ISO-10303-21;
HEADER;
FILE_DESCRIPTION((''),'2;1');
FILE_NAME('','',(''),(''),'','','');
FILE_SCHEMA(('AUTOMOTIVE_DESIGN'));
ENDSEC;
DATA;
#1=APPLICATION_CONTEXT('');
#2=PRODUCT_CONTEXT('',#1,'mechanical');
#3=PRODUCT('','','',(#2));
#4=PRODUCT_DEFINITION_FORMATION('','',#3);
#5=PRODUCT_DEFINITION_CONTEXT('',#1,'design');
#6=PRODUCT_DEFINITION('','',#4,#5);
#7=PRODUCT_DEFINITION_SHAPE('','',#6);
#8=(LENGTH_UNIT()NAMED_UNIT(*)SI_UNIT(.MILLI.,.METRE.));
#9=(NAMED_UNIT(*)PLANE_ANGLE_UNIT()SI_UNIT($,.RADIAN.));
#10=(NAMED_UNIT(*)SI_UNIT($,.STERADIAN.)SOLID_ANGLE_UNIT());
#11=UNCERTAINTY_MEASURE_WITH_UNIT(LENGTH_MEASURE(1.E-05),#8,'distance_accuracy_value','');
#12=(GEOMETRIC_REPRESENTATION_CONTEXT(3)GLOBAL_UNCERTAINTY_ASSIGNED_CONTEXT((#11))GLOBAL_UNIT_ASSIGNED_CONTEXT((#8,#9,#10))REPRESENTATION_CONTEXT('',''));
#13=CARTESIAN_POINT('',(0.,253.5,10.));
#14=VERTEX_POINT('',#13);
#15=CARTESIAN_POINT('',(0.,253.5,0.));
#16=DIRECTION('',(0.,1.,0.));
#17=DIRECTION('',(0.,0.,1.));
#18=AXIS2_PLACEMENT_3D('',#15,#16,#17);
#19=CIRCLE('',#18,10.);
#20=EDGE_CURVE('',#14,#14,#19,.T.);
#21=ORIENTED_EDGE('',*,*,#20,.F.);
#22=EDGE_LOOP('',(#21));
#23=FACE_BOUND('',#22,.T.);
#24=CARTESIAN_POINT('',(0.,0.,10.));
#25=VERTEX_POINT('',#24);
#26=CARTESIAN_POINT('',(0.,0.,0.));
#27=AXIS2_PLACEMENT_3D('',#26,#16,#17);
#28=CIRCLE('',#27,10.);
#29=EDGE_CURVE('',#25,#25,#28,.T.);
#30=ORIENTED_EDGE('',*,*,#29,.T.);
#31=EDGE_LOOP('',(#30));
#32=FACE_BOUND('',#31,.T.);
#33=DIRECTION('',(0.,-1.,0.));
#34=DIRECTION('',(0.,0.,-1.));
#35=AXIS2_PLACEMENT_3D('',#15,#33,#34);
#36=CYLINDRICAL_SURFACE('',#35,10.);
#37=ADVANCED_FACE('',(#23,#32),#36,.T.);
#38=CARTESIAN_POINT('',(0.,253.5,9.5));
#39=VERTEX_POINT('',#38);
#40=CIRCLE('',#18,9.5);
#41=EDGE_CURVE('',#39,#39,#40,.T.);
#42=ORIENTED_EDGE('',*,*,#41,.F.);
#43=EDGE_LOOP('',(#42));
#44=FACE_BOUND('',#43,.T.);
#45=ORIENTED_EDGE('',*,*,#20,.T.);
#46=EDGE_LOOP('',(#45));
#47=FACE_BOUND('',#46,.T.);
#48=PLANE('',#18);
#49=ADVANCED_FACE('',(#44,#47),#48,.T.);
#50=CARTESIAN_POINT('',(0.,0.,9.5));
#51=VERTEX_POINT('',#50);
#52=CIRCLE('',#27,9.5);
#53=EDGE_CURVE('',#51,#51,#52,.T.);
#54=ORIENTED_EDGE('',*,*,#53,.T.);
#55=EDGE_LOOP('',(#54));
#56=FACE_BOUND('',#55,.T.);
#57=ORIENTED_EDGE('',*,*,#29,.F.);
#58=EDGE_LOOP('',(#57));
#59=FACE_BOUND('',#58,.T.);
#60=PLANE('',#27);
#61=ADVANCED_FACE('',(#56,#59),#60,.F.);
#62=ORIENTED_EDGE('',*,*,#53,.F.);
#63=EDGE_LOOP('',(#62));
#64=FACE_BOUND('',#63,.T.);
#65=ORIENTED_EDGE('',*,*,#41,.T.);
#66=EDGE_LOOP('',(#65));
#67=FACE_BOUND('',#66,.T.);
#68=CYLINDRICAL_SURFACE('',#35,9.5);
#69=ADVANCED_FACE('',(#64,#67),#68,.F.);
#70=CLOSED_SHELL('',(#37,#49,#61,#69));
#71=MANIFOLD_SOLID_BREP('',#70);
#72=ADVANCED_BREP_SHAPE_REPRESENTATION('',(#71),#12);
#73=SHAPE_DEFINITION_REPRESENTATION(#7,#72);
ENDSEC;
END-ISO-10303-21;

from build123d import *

# Parameters (mm, degrees)
SKETCH1_R           = 10
SKETCH1_R_2         = 9.5
BOSS_EXTRUDE1_DEPTH = 253.5


with BuildPart() as part:
    # Sketch1 → Boss-Extrude1 (new body)
    with BuildSketch(Plane(origin=(0, 0, 0), x_dir=(1, 0, 0), z_dir=(0, 1, 0))):
        with Locations(Location((0, 0, 0), (0, 0, 270))):  # turned: the seam where the file's is
            Circle(SKETCH1_R)
        with Locations(Location((0, 0, 0), (0, 0, 270))):  # turned: the seam where the file's is
            Circle(SKETCH1_R_2, mode=Mode.SUBTRACT)
    extrude(amount=BOSS_EXTRUDE1_DEPTH)


solid = part.part
